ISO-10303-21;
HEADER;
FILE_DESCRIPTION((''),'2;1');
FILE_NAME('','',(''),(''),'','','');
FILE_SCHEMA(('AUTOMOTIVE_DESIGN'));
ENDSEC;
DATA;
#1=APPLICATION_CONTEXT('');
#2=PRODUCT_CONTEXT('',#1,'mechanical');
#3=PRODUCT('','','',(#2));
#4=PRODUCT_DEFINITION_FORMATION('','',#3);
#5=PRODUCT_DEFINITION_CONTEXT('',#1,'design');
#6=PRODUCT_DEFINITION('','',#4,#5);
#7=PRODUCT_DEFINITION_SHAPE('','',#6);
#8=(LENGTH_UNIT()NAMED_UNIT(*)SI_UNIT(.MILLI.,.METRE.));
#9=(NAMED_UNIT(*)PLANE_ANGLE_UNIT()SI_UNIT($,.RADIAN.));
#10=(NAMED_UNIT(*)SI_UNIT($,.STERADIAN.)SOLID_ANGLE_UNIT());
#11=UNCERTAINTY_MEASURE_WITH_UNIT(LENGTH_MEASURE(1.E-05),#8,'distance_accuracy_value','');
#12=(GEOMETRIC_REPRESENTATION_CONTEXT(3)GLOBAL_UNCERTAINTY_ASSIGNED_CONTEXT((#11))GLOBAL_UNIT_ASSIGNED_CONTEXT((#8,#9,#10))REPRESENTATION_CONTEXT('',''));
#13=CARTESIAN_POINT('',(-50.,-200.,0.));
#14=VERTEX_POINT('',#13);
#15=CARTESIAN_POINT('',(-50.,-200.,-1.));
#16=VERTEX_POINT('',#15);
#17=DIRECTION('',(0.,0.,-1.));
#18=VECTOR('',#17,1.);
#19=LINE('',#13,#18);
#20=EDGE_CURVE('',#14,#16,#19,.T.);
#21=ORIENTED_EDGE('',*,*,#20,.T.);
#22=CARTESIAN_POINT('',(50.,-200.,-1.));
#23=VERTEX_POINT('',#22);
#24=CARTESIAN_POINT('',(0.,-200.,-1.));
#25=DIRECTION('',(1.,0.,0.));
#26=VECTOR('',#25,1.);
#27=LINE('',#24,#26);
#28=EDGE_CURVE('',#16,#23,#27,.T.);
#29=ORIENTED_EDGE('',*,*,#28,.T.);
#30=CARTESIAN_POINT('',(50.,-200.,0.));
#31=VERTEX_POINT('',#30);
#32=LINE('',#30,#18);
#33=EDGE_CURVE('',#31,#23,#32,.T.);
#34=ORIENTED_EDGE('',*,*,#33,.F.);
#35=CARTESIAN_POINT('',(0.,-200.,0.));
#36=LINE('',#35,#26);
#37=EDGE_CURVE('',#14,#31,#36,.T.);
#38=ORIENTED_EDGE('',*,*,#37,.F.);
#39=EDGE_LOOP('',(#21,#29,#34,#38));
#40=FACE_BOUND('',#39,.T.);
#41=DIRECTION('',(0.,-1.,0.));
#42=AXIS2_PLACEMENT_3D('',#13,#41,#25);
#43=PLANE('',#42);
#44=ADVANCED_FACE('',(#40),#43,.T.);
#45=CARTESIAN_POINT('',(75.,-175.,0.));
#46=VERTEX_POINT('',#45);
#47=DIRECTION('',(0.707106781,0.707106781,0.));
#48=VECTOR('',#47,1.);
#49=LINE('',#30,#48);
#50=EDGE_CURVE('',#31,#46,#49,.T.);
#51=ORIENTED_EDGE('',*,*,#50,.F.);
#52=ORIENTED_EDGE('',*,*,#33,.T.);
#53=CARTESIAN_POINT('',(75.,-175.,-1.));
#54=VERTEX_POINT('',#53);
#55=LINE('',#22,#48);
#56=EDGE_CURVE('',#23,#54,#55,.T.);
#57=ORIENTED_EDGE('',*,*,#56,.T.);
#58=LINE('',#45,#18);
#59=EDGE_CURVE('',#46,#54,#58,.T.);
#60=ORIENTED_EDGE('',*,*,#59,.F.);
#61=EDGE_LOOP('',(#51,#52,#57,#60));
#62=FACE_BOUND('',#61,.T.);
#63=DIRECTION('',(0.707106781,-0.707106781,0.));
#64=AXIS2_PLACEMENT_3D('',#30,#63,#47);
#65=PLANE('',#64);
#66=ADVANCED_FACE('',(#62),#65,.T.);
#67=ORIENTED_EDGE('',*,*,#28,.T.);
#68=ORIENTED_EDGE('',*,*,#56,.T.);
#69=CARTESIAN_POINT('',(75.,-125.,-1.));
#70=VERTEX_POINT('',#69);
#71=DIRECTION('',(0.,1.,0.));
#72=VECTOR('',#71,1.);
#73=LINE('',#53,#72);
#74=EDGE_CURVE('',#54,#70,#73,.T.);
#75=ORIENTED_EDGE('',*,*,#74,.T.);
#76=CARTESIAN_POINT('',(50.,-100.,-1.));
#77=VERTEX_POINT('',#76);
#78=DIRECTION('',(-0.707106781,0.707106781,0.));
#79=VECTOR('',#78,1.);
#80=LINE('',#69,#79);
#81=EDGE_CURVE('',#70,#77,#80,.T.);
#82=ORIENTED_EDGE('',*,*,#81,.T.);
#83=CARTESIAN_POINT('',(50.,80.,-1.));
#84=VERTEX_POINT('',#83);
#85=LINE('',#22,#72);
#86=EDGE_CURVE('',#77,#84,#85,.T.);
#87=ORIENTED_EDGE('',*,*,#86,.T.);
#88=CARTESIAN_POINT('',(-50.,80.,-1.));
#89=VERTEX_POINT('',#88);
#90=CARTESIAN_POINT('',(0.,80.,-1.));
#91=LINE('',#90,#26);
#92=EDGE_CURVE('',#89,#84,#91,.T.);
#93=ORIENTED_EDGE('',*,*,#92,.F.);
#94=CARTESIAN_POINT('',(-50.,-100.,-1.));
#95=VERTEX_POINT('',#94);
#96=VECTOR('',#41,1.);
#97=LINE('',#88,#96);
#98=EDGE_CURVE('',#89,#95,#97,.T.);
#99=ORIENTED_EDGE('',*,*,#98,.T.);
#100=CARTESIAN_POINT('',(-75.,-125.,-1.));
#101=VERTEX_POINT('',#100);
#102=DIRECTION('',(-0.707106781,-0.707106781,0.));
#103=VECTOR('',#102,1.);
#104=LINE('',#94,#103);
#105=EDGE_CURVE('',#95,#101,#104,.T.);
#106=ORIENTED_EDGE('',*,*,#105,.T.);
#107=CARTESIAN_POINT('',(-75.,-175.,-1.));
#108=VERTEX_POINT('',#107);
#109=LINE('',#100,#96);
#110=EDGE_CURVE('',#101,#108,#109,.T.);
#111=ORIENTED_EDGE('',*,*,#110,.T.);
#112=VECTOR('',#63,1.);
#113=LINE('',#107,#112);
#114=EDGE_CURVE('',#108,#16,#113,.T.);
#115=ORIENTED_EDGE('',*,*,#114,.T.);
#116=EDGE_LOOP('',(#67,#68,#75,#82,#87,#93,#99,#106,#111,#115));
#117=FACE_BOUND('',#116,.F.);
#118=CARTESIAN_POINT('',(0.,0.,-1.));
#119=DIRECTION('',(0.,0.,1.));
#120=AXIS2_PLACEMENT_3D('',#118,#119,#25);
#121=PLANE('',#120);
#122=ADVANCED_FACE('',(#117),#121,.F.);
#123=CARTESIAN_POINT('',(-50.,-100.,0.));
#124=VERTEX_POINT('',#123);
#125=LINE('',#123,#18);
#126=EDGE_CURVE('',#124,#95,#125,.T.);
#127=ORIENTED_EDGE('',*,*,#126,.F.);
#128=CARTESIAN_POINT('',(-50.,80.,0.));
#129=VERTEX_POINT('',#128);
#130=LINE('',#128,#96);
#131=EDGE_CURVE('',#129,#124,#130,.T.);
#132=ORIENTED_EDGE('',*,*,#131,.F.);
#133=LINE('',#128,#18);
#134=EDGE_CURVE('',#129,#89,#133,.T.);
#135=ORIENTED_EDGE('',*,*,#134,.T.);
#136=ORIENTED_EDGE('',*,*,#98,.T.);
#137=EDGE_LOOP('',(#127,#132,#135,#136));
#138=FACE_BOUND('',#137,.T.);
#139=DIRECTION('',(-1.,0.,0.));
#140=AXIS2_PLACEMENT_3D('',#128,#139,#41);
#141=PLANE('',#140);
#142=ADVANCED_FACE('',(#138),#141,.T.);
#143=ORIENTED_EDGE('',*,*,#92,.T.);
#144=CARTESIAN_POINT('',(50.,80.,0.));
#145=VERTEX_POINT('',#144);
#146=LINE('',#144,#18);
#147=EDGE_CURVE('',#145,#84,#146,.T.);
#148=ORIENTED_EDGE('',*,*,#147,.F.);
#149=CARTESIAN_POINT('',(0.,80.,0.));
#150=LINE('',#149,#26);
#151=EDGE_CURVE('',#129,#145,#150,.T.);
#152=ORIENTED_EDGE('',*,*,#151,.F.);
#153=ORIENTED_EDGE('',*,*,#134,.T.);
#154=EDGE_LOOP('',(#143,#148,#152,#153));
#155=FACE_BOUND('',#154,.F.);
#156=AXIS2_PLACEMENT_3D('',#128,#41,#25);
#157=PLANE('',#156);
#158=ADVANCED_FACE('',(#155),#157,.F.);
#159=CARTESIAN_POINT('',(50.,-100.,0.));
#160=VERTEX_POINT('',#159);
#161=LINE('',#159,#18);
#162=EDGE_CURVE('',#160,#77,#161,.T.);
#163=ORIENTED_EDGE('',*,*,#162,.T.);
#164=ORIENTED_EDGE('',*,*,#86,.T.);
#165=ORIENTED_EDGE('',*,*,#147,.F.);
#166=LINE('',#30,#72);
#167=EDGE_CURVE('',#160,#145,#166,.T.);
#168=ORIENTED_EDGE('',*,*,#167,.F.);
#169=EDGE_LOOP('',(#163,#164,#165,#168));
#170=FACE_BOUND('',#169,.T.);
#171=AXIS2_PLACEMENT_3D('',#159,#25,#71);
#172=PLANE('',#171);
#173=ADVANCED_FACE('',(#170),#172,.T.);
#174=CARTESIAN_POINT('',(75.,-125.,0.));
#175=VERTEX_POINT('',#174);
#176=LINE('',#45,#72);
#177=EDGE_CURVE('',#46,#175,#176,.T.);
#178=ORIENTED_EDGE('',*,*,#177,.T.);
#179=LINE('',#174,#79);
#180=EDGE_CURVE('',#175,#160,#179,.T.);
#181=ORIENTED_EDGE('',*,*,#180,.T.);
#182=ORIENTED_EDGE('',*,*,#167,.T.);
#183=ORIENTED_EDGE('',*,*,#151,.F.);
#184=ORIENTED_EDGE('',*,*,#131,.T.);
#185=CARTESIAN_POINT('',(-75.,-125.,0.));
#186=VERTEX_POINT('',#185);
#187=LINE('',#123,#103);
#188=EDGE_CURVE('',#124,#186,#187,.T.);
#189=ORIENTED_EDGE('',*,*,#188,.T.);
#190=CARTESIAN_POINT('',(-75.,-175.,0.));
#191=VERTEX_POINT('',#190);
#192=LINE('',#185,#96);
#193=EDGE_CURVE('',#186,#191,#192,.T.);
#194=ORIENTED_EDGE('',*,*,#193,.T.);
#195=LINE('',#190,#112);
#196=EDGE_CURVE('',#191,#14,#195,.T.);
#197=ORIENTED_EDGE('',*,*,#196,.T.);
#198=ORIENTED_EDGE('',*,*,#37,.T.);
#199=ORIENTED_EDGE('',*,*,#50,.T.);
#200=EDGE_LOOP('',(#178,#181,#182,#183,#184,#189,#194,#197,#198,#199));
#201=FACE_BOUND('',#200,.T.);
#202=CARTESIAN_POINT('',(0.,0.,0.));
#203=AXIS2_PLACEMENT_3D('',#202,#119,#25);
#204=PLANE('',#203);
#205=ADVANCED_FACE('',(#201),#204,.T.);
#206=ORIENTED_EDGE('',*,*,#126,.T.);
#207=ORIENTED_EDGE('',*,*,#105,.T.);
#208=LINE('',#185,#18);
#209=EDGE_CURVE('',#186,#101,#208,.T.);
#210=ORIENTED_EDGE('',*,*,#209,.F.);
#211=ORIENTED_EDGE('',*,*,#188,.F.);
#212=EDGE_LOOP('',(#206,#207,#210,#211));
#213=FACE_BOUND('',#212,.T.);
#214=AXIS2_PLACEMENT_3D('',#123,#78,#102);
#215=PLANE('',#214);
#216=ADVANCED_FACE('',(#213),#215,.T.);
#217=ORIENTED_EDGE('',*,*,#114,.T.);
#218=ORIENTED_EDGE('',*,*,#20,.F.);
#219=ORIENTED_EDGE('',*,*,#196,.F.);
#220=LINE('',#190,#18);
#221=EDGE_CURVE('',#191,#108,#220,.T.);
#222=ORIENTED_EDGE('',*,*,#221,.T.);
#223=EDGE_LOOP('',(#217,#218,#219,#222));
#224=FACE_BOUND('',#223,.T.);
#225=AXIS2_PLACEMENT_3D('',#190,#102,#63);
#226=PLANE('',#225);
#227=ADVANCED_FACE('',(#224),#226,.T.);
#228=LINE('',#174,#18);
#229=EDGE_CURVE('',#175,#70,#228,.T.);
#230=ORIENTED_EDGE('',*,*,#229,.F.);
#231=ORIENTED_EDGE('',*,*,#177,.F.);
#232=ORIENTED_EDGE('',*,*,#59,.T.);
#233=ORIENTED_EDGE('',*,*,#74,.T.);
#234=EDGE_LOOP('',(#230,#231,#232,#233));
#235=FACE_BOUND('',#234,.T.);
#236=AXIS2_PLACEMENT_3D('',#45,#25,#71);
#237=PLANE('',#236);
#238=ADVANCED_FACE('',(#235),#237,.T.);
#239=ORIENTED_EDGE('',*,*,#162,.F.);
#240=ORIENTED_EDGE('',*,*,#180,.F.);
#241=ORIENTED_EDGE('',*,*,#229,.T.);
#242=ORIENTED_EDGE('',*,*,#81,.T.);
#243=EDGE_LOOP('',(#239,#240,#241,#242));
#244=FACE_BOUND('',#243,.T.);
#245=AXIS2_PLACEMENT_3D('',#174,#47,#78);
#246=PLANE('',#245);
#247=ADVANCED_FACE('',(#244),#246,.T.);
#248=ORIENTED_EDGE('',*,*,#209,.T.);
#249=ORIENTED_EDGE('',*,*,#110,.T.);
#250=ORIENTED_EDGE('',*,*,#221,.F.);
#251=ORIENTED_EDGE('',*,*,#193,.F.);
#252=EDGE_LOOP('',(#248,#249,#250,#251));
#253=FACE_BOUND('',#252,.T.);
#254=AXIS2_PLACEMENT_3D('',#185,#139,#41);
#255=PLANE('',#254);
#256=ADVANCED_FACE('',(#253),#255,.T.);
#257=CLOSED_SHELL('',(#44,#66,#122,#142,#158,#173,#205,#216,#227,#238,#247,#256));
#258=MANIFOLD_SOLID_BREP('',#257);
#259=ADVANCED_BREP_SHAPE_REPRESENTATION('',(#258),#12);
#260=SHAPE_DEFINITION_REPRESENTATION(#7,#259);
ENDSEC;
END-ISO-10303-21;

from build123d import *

# Parameters (mm, degrees)
F0_W     = 100
F0_H     = 160
F0_H_2   = 20
F0_H_3   = 100
F1_DEPTH = 1


with BuildPart() as f1:
    # F0 (on Top) → F1 (new body)
    with BuildSketch(Plane.XY):
        Rectangle(F0_W, F0_H)
        with Locations((0, -90)):
            Rectangle(F0_W, F0_H_2)
        with Locations((0, -150)):
            Rectangle(F0_W, F0_H_3)
        Polygon((75, -125), (50, -100), (50, -200), (75, -175), align=None)
        Polygon((-50, -200), (-50, -100), (-75, -125), (-75, -175), align=None)
    extrude(amount=-F1_DEPTH)


solid = f1.part
